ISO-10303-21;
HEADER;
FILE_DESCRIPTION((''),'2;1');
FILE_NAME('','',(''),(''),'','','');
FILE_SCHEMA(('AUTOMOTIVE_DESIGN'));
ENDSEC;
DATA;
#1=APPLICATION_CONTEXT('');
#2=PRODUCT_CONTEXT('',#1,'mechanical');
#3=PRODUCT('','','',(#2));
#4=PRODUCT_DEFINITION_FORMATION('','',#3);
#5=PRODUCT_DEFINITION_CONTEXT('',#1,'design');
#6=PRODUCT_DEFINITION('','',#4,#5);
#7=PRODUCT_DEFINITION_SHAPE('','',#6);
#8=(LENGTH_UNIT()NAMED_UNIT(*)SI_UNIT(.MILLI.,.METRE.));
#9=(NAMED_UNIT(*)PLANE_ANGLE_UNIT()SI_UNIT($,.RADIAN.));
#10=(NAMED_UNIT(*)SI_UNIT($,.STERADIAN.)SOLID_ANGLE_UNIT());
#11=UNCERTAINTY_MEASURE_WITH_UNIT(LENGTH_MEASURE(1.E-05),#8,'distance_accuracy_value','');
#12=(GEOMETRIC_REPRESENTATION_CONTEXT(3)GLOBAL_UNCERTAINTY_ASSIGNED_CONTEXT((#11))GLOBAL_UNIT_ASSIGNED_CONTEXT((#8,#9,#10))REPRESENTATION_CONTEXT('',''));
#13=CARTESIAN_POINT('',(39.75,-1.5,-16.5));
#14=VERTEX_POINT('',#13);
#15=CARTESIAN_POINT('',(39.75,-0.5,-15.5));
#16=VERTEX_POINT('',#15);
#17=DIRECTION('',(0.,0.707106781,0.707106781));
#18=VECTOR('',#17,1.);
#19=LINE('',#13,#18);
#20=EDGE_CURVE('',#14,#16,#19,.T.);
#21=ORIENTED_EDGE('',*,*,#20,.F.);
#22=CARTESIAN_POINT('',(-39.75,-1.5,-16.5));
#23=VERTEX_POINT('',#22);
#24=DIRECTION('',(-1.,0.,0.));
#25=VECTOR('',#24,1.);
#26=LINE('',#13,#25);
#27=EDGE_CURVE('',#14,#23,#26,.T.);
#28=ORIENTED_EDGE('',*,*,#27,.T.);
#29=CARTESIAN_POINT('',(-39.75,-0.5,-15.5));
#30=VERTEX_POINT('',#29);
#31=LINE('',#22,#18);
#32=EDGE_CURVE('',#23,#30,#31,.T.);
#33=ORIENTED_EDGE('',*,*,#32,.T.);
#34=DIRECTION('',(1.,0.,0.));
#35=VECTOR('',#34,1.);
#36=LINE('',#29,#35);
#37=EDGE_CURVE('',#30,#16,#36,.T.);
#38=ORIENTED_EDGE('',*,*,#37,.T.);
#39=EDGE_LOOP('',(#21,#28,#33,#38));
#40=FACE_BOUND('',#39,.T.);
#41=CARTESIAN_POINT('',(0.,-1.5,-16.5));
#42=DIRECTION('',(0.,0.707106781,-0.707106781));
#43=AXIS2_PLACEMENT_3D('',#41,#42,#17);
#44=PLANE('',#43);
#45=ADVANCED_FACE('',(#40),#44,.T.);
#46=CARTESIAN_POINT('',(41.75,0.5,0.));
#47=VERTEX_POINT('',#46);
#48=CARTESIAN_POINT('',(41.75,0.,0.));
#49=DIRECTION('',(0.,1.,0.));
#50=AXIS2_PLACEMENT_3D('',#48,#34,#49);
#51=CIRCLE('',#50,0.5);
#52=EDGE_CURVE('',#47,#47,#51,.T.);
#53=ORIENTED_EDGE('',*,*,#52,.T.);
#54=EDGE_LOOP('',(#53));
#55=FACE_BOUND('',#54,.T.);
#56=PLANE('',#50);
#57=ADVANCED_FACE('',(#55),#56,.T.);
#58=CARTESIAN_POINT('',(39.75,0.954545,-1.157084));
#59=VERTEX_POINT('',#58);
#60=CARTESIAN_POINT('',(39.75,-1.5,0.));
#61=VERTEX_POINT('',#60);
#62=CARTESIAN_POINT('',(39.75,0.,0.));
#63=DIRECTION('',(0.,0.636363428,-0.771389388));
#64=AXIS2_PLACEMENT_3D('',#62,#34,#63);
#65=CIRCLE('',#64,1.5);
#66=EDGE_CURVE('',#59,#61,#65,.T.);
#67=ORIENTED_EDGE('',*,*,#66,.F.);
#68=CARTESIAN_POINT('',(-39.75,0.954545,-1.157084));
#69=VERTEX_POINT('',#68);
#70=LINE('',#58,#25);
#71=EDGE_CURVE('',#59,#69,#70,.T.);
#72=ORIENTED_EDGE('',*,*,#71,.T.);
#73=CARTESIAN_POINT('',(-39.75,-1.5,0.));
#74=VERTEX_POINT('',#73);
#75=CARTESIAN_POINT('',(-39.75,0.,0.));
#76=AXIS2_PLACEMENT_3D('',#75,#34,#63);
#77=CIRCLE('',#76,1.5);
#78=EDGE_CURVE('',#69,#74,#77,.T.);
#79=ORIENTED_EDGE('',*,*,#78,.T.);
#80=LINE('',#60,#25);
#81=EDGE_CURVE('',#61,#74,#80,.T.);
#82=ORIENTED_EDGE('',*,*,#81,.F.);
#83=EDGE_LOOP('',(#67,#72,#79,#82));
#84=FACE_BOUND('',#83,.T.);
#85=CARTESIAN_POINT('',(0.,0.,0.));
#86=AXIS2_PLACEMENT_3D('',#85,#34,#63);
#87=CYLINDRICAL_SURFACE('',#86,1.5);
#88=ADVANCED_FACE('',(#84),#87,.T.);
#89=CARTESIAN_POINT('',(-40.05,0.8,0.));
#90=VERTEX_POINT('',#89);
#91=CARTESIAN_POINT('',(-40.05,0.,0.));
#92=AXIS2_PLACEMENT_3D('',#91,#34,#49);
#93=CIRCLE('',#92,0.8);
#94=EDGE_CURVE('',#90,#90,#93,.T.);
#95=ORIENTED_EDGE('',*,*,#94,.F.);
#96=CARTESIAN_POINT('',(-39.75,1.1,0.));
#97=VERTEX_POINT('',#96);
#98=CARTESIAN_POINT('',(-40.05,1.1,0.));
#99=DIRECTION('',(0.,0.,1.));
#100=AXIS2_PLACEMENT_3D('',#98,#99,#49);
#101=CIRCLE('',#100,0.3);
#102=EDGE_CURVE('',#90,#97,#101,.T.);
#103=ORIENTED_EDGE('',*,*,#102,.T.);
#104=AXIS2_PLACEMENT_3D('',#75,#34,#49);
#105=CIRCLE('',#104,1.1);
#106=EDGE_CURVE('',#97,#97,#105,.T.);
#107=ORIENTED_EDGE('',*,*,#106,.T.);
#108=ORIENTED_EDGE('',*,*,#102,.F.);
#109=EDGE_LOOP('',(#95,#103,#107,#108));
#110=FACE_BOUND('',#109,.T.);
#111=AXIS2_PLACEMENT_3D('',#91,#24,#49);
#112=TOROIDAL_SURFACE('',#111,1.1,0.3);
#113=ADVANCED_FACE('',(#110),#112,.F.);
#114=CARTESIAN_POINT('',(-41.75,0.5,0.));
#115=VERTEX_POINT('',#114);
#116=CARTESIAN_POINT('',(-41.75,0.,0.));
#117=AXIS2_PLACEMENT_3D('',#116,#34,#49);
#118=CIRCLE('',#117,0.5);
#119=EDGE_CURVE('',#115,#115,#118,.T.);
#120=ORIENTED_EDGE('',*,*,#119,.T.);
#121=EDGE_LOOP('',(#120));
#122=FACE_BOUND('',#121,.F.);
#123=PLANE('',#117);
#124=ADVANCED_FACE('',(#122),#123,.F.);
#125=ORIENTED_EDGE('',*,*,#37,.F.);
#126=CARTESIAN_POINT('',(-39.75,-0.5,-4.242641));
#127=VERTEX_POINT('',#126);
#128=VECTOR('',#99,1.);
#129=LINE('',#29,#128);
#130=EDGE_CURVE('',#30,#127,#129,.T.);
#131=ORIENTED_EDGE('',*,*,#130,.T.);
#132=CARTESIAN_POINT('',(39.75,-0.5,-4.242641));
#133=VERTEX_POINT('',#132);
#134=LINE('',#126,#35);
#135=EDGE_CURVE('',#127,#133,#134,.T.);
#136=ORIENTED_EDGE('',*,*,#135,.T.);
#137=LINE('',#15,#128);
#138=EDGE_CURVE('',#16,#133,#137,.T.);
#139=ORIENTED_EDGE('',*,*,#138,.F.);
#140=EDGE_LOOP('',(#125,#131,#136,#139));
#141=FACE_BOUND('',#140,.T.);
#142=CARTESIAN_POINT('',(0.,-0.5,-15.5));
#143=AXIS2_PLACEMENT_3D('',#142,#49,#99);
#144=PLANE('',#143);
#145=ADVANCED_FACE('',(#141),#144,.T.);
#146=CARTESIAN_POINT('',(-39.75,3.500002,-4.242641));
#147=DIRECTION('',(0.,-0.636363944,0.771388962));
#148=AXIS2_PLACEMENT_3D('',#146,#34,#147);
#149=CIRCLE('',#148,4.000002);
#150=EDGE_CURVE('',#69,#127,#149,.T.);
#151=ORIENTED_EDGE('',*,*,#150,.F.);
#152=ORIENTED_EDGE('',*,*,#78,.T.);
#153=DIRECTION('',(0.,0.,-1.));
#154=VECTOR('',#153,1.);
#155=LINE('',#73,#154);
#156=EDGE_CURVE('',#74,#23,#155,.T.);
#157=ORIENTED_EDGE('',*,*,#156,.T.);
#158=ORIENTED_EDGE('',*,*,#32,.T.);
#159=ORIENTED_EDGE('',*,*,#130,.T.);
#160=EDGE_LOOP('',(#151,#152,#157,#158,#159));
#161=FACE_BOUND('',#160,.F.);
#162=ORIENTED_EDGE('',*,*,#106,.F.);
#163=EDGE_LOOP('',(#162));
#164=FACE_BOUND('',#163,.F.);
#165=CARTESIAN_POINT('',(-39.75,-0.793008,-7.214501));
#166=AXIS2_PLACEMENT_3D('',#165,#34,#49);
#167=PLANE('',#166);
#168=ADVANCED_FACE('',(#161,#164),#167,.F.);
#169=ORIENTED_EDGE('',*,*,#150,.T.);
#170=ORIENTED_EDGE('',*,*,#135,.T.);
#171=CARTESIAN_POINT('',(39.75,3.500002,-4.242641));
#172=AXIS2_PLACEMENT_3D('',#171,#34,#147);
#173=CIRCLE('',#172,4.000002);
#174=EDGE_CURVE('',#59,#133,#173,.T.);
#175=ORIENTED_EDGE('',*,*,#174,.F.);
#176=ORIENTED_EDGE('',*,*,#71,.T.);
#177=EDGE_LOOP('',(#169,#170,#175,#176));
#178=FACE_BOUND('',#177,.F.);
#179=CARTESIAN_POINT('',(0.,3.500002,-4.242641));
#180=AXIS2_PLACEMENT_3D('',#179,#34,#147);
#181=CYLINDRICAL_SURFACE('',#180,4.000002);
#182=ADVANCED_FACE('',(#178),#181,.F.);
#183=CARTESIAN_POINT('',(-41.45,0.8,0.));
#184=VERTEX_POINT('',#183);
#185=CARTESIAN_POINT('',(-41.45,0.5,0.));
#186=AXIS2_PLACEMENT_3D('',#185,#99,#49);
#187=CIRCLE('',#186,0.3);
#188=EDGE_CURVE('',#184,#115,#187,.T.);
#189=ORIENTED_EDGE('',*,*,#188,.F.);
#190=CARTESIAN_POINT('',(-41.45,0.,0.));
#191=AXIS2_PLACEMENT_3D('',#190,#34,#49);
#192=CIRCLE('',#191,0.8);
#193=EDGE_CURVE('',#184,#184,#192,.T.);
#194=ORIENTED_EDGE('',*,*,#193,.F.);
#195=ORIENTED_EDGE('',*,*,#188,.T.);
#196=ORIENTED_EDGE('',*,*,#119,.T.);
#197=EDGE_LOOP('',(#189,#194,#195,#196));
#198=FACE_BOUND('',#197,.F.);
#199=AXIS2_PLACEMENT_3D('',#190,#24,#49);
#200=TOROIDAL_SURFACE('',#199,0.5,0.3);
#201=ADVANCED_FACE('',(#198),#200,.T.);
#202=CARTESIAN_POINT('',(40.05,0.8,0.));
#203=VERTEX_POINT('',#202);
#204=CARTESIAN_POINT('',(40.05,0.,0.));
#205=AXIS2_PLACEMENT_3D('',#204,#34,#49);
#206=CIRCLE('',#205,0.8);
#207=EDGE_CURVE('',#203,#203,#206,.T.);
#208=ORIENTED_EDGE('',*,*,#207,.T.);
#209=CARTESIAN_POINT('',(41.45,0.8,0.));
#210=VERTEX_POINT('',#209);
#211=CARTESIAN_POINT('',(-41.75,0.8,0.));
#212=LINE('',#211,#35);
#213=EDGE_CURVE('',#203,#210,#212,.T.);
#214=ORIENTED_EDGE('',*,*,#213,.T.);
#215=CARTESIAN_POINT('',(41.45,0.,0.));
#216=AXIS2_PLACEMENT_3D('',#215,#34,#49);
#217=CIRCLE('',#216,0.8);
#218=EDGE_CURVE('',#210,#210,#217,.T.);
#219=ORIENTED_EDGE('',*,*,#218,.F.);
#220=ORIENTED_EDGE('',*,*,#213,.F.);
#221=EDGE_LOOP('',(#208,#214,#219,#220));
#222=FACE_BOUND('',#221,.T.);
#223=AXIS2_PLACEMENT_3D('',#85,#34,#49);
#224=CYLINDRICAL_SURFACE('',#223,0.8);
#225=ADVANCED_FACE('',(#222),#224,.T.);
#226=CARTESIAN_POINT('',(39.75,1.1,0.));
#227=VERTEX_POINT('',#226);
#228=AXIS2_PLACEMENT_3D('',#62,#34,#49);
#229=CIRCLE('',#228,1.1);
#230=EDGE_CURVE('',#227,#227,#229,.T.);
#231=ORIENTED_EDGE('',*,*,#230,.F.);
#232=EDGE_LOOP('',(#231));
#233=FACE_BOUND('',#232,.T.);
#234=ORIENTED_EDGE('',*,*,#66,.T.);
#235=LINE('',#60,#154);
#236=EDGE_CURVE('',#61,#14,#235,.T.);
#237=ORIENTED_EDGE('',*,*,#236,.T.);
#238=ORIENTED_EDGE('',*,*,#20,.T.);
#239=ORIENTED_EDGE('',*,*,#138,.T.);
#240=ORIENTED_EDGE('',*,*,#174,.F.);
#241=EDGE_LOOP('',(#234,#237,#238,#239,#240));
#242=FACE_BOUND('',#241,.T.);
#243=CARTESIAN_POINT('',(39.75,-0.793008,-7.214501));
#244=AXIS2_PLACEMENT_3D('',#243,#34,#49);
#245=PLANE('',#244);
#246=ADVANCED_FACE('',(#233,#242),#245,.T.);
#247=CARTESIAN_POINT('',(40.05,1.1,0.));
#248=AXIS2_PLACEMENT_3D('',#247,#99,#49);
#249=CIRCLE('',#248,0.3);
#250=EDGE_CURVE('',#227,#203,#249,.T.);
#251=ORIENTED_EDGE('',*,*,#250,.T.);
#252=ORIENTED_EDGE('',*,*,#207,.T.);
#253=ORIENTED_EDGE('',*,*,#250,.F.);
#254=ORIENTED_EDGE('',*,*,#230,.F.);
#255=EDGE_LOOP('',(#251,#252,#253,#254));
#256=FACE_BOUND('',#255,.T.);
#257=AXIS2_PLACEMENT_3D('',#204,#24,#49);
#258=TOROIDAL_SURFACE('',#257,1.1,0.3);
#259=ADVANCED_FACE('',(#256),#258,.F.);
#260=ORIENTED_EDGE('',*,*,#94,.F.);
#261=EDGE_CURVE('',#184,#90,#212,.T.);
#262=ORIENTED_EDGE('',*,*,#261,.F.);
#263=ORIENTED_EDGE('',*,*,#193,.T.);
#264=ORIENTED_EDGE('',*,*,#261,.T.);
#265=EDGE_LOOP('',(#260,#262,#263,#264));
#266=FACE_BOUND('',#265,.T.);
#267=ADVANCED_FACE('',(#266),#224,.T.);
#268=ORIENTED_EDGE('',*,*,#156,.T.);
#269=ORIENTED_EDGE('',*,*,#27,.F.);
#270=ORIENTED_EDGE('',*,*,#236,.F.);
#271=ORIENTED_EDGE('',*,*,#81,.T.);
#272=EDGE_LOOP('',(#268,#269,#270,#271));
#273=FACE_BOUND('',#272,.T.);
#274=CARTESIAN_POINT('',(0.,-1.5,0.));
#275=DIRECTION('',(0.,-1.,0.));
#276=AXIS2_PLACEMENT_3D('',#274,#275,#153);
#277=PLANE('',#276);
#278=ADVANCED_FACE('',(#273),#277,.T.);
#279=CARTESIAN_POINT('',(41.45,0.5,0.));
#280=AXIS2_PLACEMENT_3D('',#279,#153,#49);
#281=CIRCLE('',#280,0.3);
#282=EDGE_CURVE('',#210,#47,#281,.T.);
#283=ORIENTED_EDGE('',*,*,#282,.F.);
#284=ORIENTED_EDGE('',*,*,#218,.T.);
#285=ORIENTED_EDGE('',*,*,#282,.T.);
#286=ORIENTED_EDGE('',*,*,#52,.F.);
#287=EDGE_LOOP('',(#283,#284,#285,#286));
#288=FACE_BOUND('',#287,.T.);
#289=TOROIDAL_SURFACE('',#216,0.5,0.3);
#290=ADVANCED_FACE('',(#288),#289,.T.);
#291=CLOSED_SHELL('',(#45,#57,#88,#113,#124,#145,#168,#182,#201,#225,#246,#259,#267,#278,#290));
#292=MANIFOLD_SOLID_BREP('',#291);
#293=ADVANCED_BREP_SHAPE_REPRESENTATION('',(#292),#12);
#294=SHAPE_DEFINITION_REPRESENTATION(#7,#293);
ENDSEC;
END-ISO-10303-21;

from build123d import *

# Parameters (mm, degrees)
PAD002_DEPTH = 39.75
SKETCH008_R  = 0.8
PAD004_DEPTH = 41.75
FILLET_R     = 0.3


with BuildPart() as part:
    # Sketch003 → Pad002 (new body, symmetric)
    with BuildSketch(Plane.YZ):
        with BuildLine():
            Line((-1.5, -16.5), (-0.5, -15.5))
            Line((-0.5, -15.5), (-0.5, -4.242641))
            ThreePointArc((0.954545, -1.157084), (-0.118136, -2.537035), (-0.5, -4.242641))
            ThreePointArc((0.954545, -1.157084), (0.639602, 1.356801), (-1.5, 0))
            Line((-1.5, 0), (-1.5, -16.5))
        make_face()
    extrude(amount=PAD002_DEPTH, both=True)

    # Sketch008 → Pad004 (join, symmetric)
    with BuildSketch(Plane.YZ):
        Circle(SKETCH008_R)
    extrude(amount=PAD004_DEPTH, both=True)

    # Fillet
    fillet_edges = [part.edges().sort_by_distance(p)[0] for p in [
        (41.75, -0.8, 0),
        (39.75, -0.8, 0),
        (-39.75, -0.8, 0),
        (-41.75, -0.8, 0),
    ]]
    fillet(fillet_edges, radius=FILLET_R)


solid = part.part
